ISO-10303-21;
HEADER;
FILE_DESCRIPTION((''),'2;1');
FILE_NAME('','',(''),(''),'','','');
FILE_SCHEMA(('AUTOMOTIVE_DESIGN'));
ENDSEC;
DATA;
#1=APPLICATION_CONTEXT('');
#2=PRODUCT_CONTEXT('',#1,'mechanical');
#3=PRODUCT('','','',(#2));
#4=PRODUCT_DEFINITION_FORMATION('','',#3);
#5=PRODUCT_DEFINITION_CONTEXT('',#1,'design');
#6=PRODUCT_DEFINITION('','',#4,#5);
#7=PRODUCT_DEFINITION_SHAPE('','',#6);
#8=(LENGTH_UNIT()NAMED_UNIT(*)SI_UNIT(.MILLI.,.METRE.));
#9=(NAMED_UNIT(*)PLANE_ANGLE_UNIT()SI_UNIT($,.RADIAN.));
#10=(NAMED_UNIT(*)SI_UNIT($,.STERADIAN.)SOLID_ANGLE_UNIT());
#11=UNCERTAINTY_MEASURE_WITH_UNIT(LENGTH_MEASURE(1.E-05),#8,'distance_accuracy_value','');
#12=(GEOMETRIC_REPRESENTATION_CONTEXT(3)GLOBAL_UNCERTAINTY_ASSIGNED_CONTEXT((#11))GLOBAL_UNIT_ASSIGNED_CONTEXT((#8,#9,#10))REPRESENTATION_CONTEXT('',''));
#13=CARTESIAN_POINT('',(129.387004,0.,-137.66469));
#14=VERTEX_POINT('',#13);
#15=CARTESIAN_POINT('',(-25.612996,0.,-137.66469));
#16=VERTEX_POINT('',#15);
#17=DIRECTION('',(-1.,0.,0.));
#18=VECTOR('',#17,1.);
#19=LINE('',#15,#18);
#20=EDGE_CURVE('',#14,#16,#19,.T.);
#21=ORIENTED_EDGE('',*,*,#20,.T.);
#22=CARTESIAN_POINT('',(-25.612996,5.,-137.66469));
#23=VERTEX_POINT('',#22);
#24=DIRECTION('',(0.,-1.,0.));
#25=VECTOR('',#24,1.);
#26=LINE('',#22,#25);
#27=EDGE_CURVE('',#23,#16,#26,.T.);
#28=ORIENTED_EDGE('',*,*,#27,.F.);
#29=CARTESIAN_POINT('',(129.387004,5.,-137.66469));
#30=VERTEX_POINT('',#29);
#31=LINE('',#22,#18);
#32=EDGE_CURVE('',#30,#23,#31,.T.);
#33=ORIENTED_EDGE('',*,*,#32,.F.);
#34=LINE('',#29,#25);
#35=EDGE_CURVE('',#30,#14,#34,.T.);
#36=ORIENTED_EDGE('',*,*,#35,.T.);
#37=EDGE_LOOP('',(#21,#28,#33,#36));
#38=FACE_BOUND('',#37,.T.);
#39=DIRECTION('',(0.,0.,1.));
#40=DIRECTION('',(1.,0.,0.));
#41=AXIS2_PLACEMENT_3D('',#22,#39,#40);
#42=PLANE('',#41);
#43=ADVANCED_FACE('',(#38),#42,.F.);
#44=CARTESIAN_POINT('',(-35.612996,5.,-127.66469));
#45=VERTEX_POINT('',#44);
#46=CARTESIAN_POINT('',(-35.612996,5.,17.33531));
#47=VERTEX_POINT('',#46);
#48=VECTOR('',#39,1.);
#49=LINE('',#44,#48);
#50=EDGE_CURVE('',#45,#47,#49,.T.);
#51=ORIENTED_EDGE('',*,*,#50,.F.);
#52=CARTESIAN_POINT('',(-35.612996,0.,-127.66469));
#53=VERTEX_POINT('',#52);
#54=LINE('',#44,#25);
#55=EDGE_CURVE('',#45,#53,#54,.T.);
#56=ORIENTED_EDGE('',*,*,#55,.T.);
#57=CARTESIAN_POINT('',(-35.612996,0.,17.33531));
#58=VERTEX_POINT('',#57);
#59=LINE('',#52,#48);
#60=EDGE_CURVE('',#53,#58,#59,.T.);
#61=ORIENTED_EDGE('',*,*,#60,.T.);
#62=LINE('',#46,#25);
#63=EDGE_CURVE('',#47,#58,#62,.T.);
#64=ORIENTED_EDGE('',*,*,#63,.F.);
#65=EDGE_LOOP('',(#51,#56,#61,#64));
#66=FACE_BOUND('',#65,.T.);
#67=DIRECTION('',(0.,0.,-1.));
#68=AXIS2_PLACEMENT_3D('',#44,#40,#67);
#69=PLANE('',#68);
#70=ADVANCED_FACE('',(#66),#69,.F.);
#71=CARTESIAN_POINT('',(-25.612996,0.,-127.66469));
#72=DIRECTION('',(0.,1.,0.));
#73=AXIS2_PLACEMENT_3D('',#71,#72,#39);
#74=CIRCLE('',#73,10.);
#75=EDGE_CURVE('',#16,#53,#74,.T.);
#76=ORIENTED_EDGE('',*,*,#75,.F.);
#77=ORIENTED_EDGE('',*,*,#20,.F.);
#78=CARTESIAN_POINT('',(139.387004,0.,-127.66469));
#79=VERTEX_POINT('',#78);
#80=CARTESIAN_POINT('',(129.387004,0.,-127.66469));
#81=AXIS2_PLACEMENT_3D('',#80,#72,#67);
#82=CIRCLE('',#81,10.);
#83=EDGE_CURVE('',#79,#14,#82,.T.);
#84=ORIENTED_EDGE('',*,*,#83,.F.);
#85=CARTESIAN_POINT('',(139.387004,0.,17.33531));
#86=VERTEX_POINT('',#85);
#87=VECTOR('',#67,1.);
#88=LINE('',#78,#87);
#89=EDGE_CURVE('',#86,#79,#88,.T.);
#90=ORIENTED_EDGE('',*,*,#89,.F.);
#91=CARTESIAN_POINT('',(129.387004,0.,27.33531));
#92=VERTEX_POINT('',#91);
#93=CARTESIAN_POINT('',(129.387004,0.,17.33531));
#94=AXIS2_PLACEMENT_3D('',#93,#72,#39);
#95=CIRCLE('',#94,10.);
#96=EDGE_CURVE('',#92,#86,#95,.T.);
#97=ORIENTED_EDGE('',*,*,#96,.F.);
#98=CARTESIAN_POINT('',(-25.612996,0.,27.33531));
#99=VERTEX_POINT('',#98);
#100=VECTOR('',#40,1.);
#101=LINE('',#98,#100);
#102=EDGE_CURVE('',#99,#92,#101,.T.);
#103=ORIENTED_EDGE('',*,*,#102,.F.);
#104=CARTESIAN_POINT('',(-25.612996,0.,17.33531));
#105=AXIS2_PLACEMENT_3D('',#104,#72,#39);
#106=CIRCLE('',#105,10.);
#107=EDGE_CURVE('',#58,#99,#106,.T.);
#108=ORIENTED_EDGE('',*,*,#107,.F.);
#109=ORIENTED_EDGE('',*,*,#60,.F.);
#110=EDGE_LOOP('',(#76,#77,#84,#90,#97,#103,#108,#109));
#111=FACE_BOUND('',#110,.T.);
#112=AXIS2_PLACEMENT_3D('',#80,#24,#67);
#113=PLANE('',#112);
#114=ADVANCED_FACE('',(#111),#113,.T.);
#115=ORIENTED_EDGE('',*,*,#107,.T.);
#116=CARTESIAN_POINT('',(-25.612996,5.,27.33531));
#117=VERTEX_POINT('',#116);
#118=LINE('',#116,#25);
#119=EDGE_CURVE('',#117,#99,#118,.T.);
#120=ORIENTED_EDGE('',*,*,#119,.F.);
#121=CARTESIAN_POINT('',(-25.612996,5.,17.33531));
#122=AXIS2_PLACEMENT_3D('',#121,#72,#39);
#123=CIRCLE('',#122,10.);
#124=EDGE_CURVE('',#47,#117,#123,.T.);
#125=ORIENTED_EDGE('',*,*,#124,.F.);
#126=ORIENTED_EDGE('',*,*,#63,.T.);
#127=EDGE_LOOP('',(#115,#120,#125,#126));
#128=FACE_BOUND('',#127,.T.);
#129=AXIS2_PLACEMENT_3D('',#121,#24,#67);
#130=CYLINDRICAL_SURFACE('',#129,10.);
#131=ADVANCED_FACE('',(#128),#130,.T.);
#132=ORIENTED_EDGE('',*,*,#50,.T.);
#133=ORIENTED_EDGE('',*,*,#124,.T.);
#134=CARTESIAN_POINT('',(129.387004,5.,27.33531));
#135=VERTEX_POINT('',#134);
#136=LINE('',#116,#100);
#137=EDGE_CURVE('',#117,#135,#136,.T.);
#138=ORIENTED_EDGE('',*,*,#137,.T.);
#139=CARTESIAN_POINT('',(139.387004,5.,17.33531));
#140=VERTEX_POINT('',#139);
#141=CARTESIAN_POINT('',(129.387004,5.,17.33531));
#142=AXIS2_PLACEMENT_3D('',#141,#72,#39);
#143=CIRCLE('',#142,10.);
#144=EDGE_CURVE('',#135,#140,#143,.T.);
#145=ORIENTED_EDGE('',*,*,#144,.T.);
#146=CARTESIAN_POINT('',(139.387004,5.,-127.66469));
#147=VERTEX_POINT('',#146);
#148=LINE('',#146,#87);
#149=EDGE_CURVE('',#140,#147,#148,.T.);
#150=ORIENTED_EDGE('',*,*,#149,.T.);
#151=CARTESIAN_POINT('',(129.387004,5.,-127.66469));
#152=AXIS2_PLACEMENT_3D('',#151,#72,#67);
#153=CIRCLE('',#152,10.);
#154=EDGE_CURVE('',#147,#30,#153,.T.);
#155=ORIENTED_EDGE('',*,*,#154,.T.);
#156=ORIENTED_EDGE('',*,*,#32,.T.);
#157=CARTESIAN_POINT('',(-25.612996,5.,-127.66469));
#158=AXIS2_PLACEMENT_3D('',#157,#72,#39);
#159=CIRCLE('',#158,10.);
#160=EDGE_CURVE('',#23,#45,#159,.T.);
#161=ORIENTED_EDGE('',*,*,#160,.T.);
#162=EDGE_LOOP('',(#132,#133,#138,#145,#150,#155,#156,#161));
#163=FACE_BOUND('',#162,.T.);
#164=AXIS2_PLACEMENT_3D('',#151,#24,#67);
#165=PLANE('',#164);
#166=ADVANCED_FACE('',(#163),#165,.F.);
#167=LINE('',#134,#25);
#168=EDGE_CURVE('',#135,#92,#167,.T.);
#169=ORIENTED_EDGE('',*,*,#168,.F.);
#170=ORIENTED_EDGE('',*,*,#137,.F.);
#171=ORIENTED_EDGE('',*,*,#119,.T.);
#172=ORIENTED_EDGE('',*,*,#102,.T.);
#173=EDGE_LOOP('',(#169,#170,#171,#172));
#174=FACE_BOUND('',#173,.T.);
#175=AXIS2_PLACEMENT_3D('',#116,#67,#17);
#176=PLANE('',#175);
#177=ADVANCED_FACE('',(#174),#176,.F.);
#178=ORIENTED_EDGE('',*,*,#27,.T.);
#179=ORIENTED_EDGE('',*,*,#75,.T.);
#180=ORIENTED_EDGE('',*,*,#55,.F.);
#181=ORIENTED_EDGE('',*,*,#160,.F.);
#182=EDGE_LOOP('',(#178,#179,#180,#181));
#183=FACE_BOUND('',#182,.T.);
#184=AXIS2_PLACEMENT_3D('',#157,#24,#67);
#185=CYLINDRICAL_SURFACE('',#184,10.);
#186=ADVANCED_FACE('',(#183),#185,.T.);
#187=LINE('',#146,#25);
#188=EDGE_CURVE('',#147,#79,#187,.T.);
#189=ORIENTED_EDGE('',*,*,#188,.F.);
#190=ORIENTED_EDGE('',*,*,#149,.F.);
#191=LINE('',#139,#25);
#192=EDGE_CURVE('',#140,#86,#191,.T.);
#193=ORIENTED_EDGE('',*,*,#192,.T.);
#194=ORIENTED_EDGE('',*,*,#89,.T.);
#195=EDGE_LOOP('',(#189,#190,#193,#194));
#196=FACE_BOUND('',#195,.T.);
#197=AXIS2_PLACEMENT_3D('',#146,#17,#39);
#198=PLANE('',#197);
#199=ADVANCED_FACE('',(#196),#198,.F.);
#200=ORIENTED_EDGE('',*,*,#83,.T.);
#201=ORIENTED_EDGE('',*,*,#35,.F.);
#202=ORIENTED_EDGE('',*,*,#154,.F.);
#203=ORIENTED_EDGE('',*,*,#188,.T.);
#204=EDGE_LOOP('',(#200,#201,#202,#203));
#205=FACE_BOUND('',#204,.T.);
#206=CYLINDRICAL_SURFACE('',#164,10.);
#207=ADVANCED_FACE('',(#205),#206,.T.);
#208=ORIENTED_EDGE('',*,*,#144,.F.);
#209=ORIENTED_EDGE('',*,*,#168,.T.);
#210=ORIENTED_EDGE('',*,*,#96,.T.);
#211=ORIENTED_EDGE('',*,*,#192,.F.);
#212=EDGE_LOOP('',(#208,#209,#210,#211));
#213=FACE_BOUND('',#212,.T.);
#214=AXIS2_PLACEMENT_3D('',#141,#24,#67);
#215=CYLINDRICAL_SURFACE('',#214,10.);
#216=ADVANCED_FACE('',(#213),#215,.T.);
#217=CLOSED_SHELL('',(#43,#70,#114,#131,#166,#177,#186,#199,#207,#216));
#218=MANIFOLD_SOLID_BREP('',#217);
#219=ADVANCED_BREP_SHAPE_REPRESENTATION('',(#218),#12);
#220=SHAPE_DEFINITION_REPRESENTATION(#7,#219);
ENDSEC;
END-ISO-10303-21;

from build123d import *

# Parameters (mm, degrees)
RESSALTO_EXTRUS_O1_DEPTH = 5


with BuildPart() as part:
    # Esboço1 → Ressalto-extrusão1 (new body)
    with BuildSketch(Plane(origin=(0, 0, 0), x_dir=(1, 0, 0), z_dir=(0, 1, 0))):
        with BuildLine():
            Line((-25.612995536, 137.664689841), (129.387004464, 137.664689841))
            ThreePointArc((129.387004464, 137.664689841), (136.458072276, 134.735757653), (139.387004464, 127.664689841))
            Line((139.387004464, 127.664689841), (139.387004464, -17.335310159))
            ThreePointArc((139.387004464, -17.335310159), (136.458072276, -24.406377971), (129.387004464, -27.335310159))
            Line((129.387004464, -27.335310159), (-25.612995536, -27.335310159))
            ThreePointArc((-25.612995536, -27.335310159), (-32.684063348, -24.406377971), (-35.612995536, -17.335310159))
            Line((-35.612995536, -17.335310159), (-35.612995536, 127.664689841))
            ThreePointArc((-35.612995536, 127.664689841), (-32.684063348, 134.735757653), (-25.612995536, 137.664689841))
        make_face()
    extrude(amount=RESSALTO_EXTRUS_O1_DEPTH)


solid = part.part
